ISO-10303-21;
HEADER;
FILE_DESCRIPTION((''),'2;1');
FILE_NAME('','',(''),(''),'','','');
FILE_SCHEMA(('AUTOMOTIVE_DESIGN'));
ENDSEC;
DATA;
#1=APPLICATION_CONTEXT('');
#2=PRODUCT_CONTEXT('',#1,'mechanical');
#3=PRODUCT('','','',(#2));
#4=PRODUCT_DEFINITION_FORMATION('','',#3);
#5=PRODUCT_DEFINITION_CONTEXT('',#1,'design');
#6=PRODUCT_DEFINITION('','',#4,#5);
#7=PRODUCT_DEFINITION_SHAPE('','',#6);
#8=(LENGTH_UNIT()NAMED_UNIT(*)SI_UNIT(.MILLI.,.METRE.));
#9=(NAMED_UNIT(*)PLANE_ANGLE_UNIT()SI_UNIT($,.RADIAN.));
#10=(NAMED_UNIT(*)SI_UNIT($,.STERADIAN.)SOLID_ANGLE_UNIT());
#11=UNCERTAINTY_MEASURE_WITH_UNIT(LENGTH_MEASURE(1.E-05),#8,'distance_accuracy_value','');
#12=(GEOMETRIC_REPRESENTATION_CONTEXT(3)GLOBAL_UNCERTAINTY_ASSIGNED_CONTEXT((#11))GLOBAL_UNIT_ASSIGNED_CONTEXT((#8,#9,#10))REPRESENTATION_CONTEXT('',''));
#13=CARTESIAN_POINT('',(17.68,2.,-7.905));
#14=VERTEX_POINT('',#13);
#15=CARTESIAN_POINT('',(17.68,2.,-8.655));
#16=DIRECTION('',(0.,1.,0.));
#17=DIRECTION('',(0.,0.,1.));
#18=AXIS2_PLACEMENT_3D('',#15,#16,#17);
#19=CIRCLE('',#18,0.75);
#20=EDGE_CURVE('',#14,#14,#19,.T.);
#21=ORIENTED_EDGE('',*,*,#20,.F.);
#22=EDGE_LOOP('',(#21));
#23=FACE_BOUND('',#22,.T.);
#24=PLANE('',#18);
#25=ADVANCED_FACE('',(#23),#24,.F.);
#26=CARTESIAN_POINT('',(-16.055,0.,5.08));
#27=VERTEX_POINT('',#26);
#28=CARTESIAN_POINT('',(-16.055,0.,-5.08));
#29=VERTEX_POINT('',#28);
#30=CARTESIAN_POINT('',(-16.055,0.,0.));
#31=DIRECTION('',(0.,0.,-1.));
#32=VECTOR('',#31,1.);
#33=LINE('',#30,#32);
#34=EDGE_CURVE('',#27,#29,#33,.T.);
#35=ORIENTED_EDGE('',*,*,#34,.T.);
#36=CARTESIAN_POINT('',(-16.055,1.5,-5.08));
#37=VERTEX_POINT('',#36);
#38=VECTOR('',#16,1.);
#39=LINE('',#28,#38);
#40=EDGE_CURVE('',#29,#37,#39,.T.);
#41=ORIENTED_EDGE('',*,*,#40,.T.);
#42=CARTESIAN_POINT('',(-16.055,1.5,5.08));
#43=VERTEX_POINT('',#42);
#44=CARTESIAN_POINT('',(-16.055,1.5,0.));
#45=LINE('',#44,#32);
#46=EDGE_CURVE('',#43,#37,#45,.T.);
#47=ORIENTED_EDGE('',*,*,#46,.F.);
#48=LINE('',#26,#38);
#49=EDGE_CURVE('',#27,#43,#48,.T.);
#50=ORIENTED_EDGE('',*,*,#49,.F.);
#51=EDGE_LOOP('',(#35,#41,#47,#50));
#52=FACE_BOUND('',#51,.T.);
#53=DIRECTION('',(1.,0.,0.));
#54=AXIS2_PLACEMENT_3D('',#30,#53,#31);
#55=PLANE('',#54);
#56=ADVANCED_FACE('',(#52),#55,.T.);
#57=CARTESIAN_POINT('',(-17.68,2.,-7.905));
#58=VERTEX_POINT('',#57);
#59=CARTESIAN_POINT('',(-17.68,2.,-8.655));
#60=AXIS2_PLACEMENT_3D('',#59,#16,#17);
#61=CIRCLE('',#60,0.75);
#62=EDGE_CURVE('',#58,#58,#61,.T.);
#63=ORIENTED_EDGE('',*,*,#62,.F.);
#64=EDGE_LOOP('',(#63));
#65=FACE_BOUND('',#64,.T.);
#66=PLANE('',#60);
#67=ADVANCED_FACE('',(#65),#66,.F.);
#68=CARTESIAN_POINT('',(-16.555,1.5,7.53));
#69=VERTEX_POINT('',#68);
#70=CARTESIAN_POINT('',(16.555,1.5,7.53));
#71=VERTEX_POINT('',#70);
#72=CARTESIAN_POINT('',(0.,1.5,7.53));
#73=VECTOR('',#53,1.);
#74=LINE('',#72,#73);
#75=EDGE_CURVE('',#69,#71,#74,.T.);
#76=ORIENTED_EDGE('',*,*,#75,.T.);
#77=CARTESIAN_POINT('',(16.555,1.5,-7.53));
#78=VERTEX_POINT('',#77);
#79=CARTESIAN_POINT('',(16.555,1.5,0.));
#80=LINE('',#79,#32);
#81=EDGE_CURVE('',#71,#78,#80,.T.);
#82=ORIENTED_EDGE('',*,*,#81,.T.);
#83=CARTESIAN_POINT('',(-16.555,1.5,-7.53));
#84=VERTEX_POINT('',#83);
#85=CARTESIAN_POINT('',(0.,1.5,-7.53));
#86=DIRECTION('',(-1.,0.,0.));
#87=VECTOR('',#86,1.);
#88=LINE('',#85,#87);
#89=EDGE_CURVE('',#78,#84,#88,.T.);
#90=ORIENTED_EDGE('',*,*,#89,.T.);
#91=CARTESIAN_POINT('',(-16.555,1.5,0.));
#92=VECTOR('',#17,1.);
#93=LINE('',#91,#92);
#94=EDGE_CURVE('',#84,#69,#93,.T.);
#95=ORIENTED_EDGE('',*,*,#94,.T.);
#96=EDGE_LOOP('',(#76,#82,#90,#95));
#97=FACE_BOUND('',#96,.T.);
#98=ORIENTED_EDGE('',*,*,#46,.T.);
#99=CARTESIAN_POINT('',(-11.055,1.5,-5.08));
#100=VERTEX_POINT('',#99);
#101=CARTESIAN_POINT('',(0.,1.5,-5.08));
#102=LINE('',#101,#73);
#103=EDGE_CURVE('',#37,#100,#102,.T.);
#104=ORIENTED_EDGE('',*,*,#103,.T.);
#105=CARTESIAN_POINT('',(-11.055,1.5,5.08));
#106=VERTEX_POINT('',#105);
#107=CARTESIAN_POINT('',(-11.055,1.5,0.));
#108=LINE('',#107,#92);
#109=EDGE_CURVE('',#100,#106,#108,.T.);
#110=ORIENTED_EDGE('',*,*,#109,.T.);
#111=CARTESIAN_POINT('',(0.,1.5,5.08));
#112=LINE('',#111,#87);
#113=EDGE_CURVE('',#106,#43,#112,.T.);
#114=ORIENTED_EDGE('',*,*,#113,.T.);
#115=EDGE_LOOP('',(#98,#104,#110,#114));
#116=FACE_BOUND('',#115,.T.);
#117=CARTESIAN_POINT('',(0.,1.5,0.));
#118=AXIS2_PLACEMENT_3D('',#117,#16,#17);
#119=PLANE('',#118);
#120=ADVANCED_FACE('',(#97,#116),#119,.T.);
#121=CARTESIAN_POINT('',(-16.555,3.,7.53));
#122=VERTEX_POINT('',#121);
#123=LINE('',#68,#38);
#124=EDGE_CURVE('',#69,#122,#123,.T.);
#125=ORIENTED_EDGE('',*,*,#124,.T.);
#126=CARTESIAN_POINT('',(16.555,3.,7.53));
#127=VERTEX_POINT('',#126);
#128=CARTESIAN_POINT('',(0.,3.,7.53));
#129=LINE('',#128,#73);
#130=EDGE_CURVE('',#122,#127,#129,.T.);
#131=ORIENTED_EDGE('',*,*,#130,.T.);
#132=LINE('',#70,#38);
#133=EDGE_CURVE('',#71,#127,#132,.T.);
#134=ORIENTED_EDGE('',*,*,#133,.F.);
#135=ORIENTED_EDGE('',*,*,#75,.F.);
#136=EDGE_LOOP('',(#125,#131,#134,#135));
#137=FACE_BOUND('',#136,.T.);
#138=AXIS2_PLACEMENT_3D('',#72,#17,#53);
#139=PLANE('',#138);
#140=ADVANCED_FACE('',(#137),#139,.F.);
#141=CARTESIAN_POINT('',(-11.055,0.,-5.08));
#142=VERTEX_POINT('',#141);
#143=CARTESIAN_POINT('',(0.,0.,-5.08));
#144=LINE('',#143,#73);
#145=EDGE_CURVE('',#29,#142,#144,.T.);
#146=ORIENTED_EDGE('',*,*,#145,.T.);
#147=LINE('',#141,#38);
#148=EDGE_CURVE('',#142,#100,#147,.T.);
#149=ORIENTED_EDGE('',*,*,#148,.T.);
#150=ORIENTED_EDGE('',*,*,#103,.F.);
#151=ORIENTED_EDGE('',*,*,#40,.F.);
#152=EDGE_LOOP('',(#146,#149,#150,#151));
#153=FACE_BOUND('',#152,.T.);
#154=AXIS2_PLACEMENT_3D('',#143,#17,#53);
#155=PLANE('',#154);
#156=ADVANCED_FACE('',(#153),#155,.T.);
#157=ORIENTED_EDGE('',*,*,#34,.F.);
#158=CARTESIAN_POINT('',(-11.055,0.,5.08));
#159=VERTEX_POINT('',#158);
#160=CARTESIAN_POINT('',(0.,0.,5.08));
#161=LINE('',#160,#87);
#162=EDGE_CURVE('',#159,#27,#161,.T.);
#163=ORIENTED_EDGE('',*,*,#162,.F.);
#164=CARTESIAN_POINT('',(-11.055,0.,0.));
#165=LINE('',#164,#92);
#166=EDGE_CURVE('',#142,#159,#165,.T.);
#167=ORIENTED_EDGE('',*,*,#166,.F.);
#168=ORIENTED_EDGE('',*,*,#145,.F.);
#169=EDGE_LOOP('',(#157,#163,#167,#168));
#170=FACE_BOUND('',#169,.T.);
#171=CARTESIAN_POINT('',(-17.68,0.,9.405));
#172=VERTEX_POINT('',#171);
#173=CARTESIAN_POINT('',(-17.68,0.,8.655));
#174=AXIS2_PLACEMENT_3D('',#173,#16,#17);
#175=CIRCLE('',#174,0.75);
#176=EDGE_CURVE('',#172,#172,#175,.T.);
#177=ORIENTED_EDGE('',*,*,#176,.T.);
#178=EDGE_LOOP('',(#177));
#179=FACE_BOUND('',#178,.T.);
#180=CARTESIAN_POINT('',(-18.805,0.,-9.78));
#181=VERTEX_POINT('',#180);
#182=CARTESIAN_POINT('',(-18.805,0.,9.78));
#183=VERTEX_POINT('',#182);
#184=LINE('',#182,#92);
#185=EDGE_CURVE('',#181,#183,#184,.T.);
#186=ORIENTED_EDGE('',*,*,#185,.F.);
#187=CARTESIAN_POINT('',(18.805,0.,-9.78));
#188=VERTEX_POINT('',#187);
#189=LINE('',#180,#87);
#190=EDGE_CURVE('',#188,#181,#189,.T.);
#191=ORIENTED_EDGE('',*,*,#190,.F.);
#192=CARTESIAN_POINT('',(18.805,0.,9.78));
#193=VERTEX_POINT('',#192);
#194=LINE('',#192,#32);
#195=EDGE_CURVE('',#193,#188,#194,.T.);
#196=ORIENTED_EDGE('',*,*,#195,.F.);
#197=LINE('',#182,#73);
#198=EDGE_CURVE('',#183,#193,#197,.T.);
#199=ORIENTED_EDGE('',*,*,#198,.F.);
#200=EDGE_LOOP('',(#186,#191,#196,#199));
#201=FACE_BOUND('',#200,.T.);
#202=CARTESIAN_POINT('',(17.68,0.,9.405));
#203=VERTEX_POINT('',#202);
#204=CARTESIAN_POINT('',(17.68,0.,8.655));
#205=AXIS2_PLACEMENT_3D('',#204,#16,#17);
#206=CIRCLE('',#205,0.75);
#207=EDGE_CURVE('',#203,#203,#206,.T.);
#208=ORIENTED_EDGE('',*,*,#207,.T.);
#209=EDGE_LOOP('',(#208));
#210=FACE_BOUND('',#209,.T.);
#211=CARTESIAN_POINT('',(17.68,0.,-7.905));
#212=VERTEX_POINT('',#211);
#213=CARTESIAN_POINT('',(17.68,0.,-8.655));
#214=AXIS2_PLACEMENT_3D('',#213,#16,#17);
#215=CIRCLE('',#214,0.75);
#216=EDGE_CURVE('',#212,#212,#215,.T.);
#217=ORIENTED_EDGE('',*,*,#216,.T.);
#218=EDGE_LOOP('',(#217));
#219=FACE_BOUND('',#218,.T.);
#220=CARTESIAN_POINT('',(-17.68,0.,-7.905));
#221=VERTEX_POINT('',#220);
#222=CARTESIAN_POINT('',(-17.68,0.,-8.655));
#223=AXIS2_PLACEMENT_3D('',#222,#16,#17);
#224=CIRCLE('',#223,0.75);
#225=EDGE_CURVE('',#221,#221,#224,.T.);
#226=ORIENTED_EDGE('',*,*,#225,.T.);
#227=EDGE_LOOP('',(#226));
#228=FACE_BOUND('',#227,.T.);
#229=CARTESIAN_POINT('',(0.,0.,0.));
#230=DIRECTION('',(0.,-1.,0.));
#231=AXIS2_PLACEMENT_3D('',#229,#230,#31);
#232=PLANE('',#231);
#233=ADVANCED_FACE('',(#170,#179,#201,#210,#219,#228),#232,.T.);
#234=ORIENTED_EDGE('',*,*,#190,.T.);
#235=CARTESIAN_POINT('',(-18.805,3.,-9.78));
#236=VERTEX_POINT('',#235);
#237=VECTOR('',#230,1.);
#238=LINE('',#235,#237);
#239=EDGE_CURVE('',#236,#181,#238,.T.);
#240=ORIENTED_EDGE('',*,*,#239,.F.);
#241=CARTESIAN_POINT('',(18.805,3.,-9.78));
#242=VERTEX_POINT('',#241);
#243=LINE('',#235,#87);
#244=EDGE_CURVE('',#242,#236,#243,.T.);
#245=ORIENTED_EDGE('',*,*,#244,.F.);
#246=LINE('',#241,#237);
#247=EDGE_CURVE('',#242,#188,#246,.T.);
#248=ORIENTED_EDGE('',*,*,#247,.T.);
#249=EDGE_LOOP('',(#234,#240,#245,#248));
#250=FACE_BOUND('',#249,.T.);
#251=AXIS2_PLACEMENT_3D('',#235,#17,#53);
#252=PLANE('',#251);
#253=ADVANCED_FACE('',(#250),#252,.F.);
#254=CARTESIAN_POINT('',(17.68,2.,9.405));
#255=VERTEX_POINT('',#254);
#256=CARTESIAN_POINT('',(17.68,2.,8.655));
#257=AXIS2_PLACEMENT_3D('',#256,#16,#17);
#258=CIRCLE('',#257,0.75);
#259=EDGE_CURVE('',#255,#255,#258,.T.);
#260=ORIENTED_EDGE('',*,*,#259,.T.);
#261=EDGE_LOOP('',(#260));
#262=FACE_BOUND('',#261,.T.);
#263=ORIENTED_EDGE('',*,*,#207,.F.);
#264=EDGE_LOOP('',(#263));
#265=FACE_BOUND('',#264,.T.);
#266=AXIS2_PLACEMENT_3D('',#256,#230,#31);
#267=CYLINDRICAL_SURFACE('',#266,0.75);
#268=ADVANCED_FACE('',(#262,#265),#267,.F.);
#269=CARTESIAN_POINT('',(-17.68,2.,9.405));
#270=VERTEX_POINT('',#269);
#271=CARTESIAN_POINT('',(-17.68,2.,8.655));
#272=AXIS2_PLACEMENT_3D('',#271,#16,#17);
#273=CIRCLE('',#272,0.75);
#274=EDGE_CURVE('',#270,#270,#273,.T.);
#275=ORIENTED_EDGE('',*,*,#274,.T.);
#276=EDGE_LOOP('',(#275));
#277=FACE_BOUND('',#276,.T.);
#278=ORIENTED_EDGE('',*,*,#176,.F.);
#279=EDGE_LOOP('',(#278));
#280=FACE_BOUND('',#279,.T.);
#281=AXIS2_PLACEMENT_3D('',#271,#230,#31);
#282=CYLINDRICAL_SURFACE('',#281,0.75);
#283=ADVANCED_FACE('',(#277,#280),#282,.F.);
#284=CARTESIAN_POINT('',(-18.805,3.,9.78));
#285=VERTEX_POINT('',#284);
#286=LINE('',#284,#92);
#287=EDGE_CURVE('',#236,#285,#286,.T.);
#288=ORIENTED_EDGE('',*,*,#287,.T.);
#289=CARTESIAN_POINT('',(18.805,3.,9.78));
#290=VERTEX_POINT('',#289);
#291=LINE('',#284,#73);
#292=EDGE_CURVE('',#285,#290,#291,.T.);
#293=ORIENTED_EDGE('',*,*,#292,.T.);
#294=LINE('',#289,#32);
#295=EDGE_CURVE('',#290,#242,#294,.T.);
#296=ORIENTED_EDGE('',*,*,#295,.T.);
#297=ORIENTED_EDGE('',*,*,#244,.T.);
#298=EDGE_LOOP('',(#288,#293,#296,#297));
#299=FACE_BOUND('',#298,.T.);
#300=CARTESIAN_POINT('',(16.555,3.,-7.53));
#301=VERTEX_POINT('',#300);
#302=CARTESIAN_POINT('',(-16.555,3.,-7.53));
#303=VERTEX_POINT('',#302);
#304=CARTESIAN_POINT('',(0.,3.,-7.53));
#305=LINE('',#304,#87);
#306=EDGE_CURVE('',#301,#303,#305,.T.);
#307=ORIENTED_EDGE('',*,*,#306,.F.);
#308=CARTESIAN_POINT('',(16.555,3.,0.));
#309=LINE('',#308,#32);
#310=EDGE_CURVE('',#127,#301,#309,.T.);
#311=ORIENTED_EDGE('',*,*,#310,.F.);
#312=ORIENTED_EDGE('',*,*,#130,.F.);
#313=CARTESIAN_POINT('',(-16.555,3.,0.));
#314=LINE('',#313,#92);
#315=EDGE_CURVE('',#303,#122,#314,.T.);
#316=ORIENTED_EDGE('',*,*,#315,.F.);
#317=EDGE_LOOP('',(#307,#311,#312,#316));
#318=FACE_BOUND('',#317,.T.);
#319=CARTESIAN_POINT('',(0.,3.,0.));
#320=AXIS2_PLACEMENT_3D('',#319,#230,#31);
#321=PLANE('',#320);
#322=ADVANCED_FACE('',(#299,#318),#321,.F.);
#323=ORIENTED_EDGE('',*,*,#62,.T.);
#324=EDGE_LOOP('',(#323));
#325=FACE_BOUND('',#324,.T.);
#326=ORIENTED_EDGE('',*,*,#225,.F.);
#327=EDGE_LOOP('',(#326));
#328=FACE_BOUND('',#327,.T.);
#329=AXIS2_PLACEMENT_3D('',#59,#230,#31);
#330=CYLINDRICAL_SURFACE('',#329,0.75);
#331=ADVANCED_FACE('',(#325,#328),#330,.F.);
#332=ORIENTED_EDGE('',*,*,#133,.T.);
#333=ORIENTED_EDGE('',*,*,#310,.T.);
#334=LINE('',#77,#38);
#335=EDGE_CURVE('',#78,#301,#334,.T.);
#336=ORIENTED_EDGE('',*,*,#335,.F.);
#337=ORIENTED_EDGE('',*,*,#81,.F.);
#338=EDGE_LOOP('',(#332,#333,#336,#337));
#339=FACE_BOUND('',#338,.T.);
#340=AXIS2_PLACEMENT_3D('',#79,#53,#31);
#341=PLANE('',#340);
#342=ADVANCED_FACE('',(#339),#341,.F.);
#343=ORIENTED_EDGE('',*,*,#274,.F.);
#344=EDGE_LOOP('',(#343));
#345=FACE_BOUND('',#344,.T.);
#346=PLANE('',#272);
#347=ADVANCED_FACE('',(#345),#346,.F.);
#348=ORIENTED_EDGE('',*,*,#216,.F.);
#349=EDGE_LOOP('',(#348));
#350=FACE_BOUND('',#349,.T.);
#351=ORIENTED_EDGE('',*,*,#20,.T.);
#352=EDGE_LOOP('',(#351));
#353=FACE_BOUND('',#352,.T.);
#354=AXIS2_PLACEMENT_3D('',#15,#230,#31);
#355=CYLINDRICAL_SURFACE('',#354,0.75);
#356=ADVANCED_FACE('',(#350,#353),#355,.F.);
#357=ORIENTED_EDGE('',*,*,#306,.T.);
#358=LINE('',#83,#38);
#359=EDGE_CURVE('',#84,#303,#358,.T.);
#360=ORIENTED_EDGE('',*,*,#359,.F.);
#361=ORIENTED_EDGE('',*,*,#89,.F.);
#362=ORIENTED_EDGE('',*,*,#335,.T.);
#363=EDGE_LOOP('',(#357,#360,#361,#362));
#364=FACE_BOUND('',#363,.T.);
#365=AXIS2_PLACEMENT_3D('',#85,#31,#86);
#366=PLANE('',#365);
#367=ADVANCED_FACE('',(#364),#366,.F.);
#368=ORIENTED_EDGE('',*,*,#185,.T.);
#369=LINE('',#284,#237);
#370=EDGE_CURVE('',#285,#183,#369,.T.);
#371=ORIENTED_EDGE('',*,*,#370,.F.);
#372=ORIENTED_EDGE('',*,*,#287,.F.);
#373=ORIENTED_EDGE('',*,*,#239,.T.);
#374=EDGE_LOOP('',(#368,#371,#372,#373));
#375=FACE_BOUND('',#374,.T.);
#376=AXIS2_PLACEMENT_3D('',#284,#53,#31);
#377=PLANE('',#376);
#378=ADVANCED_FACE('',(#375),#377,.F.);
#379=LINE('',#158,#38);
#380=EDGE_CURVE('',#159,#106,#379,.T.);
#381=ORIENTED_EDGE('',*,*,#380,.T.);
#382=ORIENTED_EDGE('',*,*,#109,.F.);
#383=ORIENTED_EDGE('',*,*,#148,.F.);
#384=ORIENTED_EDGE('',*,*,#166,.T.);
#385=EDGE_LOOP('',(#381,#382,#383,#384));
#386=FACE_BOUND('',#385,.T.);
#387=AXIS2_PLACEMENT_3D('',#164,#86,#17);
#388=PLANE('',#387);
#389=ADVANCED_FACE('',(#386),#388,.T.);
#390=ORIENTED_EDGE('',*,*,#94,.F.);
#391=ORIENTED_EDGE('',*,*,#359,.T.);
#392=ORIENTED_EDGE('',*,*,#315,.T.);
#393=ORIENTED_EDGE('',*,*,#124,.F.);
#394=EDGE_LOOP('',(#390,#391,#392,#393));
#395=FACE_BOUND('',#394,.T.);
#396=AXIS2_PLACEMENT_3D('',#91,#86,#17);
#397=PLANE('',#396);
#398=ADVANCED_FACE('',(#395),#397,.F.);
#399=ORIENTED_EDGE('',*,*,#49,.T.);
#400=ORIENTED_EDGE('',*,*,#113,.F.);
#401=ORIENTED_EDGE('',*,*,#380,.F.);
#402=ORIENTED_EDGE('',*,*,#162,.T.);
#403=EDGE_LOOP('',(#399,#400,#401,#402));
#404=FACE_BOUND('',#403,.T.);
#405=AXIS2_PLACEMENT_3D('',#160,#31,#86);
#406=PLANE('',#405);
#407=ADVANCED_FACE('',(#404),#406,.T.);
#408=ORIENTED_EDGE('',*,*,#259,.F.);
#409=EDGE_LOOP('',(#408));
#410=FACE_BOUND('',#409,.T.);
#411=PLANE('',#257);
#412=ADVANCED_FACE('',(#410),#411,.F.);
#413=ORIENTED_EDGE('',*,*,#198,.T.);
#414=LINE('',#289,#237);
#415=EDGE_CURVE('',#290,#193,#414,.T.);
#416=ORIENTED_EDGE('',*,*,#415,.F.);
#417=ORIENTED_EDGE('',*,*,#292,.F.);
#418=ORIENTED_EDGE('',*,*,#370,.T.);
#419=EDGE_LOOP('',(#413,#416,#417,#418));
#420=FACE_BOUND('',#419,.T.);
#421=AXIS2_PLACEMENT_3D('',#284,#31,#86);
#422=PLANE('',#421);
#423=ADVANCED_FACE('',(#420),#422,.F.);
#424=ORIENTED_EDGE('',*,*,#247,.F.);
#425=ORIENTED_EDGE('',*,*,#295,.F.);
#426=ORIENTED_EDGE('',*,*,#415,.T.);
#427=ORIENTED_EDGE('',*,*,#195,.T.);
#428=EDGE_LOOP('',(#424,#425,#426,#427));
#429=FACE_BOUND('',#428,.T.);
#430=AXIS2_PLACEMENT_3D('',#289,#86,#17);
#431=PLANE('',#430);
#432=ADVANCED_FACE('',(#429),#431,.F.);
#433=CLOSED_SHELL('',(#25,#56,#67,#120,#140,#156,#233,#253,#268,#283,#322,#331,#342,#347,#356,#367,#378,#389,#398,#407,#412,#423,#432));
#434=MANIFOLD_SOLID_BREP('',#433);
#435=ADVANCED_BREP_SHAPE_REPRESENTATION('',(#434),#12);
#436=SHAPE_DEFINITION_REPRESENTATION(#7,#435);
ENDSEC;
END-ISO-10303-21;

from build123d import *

# Parameters (mm, degrees)
ESBO_O1_W                = 37.61
ESBO_O1_H                = 19.56
BASE_DEPTH               = 3
ESPA_O_START             = 3
ESBO_O4_W                = 33.11
ESBO_O4_H                = 15.06
ESPA_O_SENSOR_DEPTH      = 1.5
RECORTE_START            = 1.5
ESBO_O5_W                = 5
ESBO_O5_H                = 10.16
RECORTE_CONECTORES_DEPTH = 23.907391831
ESBO_O6_R                = 0.75
CORTE_EXTRUS_O3_DEPTH    = 2


with BuildPart() as part:
    # Esboço1 → Base (new body)
    with BuildSketch(Plane(origin=(0, 0, 0), x_dir=(1, 0, 0), z_dir=(0, 1, 0))):
        Rectangle(ESBO_O1_W, ESBO_O1_H)
    extrude(amount=BASE_DEPTH)

    # Esboço4 → Espaço Sensor (cut)
    with BuildSketch(Plane(origin=(0, 0, 0), x_dir=(1, 0, 0), z_dir=(0, 1, 0)).offset(ESPA_O_START)):
        Rectangle(ESBO_O4_W, ESBO_O4_H)
    extrude(amount=-ESPA_O_SENSOR_DEPTH, mode=Mode.SUBTRACT)

    # Esboço5 → Recorte Conectores (cut, through all)
    with BuildSketch(Plane(origin=(0, 0, 0), x_dir=(1, 0, 0), z_dir=(0, 1, 0)).offset(RECORTE_START)):
        with Locations((-13.555, 0)):
            Rectangle(ESBO_O5_W, ESBO_O5_H)
    extrude(amount=-RECORTE_CONECTORES_DEPTH, mode=Mode.SUBTRACT)

    # Esboço6 → Corte-extrusão3 (cut)
    with BuildSketch(Plane(origin=(0, 0, 0), x_dir=(1, 0, 0), z_dir=(0, 1, 0))):
        with Locations(Location((-17.68, -8.655, 0), (0, 0, 270))):
            Circle(ESBO_O6_R)
        with Locations(Location((17.68, -8.655, 0), (0, 0, 270))):
            Circle(ESBO_O6_R)
        with Locations(Location((17.68, 8.655, 0), (0, 0, 270))):
            Circle(ESBO_O6_R)
        with Locations(Location((-17.68, 8.655, 0), (0, 0, 270))):
            Circle(ESBO_O6_R)
    extrude(amount=CORTE_EXTRUS_O3_DEPTH, mode=Mode.SUBTRACT)


solid = part.part
